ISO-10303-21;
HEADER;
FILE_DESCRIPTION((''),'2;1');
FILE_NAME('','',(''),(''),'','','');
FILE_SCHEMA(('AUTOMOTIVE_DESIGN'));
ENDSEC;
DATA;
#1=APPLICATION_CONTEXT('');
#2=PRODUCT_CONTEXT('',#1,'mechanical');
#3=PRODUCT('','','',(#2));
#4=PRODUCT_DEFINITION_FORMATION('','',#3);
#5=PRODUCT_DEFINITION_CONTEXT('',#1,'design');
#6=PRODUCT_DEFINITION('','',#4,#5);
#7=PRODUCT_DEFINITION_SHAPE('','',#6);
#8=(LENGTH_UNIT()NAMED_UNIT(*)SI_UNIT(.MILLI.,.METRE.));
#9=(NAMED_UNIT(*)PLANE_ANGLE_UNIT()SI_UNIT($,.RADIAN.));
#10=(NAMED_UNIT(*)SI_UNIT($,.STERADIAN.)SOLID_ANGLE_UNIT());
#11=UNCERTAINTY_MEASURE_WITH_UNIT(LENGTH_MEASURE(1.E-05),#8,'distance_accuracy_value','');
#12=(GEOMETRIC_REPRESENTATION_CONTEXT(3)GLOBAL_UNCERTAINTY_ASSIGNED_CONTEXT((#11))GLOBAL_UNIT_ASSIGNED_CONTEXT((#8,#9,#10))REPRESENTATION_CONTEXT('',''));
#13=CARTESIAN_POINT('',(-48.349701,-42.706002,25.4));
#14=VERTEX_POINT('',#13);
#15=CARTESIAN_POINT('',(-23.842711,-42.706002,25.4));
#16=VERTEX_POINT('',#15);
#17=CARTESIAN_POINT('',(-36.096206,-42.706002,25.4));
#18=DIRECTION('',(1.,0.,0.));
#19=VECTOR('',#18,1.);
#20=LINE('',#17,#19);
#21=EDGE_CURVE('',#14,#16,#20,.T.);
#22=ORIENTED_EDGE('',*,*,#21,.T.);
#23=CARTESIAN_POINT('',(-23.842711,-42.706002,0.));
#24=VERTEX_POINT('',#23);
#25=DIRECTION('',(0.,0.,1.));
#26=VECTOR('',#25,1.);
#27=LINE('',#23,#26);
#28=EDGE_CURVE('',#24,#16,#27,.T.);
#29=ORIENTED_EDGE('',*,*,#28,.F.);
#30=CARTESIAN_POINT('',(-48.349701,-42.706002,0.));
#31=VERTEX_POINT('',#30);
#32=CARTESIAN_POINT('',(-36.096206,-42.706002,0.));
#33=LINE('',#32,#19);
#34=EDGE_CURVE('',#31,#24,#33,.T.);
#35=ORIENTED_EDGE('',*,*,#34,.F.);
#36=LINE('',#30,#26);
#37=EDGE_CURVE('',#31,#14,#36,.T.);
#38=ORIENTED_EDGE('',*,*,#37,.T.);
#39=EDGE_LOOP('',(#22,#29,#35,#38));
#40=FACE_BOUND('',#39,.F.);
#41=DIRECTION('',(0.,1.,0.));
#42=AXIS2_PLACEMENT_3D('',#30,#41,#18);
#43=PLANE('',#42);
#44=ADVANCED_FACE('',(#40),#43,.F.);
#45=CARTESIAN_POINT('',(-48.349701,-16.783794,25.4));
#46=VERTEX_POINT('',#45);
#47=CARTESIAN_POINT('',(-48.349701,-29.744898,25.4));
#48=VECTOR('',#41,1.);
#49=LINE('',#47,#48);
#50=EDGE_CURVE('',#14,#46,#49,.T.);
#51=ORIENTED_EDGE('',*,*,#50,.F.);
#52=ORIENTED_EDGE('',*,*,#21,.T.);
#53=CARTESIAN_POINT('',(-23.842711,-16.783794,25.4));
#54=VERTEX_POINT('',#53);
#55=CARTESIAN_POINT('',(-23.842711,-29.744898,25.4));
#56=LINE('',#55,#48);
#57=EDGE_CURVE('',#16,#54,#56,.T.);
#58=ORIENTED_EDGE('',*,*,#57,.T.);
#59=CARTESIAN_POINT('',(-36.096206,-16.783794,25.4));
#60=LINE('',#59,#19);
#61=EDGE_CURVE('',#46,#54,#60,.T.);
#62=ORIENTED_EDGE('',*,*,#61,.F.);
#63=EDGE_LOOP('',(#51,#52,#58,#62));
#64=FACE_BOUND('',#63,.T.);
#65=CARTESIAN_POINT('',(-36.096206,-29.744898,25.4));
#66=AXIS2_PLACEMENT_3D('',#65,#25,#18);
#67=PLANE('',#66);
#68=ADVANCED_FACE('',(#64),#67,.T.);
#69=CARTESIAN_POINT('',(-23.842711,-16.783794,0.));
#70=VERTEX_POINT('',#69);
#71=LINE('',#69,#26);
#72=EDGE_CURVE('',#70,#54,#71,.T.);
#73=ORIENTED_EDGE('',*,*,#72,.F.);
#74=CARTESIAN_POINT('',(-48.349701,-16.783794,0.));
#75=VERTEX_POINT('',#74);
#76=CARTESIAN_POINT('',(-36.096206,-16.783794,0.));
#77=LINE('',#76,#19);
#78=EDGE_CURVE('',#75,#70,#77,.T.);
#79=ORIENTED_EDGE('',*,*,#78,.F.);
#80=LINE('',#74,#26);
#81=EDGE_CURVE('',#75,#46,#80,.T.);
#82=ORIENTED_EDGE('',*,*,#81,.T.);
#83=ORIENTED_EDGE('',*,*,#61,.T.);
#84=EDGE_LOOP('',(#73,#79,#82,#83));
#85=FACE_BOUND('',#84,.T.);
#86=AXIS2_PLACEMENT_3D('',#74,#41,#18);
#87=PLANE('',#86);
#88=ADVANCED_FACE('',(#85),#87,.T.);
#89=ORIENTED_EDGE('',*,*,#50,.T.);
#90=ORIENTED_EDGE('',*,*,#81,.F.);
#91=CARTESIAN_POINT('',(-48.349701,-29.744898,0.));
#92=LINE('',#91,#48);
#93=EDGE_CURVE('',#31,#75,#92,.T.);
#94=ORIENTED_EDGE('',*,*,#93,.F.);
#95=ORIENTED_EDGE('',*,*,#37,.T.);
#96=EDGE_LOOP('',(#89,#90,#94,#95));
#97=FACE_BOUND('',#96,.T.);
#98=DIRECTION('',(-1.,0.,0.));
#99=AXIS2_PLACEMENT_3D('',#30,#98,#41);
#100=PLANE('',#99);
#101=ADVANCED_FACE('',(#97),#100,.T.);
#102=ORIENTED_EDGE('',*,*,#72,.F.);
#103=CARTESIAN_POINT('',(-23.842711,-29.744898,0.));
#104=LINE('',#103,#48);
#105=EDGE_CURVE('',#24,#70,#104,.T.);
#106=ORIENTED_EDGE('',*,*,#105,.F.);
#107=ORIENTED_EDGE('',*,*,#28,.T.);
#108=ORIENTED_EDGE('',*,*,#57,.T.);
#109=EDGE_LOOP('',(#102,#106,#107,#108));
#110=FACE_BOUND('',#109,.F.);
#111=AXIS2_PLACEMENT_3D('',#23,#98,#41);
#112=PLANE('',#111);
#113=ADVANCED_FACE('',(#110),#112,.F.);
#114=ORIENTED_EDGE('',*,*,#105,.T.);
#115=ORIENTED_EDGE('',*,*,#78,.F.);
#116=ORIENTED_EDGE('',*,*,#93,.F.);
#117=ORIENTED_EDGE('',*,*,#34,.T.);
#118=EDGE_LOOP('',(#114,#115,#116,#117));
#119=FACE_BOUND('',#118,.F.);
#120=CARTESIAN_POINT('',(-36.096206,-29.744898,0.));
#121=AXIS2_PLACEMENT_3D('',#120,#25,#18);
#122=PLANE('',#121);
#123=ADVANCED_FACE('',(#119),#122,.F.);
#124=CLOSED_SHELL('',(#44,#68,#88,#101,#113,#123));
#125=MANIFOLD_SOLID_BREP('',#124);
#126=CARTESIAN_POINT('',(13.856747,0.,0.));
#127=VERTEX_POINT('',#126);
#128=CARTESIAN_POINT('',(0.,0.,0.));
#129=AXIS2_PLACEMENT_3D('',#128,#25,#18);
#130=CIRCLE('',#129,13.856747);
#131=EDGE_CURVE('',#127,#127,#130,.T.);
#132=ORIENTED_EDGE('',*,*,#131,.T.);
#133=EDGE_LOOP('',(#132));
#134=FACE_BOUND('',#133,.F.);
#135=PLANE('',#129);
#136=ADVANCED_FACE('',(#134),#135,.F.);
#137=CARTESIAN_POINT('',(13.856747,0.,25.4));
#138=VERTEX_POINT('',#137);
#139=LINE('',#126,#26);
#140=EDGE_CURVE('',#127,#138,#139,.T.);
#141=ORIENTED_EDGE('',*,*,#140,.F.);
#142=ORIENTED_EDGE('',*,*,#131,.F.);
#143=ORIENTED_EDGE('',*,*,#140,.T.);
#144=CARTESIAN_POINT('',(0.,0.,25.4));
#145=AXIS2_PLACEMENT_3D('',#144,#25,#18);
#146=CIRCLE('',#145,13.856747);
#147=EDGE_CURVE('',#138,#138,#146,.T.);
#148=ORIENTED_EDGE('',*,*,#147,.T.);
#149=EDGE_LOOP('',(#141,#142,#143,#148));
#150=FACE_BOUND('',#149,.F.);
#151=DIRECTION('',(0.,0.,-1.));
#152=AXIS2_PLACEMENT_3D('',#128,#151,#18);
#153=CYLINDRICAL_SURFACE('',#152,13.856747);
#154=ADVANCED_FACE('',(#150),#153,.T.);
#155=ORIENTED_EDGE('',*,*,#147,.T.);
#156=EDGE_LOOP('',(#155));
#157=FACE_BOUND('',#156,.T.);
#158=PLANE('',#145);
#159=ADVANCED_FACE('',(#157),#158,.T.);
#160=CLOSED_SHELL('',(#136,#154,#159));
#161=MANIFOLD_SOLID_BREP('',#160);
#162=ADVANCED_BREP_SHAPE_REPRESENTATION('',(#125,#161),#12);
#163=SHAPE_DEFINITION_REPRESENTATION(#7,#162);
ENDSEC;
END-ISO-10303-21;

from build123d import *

# Parameters (mm, degrees)
F0_R     = 13.856747
F1_DEPTH = 25.4
F2_W     = 24.50699
F2_H     = 25.922208
F3_DEPTH = 25.4


with BuildPart() as f1:
    # F0 (on Top) → F1 (new body)
    with BuildSketch(Plane.XY):
        Circle(F0_R)
    extrude(amount=F1_DEPTH)


with BuildPart() as f3:
    # F2 (on Top) → F3 (new body)
    with BuildSketch(Plane.XY):
        with Locations((-36.096206, -29.744898)):
            Rectangle(F2_W, F2_H)
    extrude(amount=F3_DEPTH)


solid = Compound([f1.part, f3.part])
